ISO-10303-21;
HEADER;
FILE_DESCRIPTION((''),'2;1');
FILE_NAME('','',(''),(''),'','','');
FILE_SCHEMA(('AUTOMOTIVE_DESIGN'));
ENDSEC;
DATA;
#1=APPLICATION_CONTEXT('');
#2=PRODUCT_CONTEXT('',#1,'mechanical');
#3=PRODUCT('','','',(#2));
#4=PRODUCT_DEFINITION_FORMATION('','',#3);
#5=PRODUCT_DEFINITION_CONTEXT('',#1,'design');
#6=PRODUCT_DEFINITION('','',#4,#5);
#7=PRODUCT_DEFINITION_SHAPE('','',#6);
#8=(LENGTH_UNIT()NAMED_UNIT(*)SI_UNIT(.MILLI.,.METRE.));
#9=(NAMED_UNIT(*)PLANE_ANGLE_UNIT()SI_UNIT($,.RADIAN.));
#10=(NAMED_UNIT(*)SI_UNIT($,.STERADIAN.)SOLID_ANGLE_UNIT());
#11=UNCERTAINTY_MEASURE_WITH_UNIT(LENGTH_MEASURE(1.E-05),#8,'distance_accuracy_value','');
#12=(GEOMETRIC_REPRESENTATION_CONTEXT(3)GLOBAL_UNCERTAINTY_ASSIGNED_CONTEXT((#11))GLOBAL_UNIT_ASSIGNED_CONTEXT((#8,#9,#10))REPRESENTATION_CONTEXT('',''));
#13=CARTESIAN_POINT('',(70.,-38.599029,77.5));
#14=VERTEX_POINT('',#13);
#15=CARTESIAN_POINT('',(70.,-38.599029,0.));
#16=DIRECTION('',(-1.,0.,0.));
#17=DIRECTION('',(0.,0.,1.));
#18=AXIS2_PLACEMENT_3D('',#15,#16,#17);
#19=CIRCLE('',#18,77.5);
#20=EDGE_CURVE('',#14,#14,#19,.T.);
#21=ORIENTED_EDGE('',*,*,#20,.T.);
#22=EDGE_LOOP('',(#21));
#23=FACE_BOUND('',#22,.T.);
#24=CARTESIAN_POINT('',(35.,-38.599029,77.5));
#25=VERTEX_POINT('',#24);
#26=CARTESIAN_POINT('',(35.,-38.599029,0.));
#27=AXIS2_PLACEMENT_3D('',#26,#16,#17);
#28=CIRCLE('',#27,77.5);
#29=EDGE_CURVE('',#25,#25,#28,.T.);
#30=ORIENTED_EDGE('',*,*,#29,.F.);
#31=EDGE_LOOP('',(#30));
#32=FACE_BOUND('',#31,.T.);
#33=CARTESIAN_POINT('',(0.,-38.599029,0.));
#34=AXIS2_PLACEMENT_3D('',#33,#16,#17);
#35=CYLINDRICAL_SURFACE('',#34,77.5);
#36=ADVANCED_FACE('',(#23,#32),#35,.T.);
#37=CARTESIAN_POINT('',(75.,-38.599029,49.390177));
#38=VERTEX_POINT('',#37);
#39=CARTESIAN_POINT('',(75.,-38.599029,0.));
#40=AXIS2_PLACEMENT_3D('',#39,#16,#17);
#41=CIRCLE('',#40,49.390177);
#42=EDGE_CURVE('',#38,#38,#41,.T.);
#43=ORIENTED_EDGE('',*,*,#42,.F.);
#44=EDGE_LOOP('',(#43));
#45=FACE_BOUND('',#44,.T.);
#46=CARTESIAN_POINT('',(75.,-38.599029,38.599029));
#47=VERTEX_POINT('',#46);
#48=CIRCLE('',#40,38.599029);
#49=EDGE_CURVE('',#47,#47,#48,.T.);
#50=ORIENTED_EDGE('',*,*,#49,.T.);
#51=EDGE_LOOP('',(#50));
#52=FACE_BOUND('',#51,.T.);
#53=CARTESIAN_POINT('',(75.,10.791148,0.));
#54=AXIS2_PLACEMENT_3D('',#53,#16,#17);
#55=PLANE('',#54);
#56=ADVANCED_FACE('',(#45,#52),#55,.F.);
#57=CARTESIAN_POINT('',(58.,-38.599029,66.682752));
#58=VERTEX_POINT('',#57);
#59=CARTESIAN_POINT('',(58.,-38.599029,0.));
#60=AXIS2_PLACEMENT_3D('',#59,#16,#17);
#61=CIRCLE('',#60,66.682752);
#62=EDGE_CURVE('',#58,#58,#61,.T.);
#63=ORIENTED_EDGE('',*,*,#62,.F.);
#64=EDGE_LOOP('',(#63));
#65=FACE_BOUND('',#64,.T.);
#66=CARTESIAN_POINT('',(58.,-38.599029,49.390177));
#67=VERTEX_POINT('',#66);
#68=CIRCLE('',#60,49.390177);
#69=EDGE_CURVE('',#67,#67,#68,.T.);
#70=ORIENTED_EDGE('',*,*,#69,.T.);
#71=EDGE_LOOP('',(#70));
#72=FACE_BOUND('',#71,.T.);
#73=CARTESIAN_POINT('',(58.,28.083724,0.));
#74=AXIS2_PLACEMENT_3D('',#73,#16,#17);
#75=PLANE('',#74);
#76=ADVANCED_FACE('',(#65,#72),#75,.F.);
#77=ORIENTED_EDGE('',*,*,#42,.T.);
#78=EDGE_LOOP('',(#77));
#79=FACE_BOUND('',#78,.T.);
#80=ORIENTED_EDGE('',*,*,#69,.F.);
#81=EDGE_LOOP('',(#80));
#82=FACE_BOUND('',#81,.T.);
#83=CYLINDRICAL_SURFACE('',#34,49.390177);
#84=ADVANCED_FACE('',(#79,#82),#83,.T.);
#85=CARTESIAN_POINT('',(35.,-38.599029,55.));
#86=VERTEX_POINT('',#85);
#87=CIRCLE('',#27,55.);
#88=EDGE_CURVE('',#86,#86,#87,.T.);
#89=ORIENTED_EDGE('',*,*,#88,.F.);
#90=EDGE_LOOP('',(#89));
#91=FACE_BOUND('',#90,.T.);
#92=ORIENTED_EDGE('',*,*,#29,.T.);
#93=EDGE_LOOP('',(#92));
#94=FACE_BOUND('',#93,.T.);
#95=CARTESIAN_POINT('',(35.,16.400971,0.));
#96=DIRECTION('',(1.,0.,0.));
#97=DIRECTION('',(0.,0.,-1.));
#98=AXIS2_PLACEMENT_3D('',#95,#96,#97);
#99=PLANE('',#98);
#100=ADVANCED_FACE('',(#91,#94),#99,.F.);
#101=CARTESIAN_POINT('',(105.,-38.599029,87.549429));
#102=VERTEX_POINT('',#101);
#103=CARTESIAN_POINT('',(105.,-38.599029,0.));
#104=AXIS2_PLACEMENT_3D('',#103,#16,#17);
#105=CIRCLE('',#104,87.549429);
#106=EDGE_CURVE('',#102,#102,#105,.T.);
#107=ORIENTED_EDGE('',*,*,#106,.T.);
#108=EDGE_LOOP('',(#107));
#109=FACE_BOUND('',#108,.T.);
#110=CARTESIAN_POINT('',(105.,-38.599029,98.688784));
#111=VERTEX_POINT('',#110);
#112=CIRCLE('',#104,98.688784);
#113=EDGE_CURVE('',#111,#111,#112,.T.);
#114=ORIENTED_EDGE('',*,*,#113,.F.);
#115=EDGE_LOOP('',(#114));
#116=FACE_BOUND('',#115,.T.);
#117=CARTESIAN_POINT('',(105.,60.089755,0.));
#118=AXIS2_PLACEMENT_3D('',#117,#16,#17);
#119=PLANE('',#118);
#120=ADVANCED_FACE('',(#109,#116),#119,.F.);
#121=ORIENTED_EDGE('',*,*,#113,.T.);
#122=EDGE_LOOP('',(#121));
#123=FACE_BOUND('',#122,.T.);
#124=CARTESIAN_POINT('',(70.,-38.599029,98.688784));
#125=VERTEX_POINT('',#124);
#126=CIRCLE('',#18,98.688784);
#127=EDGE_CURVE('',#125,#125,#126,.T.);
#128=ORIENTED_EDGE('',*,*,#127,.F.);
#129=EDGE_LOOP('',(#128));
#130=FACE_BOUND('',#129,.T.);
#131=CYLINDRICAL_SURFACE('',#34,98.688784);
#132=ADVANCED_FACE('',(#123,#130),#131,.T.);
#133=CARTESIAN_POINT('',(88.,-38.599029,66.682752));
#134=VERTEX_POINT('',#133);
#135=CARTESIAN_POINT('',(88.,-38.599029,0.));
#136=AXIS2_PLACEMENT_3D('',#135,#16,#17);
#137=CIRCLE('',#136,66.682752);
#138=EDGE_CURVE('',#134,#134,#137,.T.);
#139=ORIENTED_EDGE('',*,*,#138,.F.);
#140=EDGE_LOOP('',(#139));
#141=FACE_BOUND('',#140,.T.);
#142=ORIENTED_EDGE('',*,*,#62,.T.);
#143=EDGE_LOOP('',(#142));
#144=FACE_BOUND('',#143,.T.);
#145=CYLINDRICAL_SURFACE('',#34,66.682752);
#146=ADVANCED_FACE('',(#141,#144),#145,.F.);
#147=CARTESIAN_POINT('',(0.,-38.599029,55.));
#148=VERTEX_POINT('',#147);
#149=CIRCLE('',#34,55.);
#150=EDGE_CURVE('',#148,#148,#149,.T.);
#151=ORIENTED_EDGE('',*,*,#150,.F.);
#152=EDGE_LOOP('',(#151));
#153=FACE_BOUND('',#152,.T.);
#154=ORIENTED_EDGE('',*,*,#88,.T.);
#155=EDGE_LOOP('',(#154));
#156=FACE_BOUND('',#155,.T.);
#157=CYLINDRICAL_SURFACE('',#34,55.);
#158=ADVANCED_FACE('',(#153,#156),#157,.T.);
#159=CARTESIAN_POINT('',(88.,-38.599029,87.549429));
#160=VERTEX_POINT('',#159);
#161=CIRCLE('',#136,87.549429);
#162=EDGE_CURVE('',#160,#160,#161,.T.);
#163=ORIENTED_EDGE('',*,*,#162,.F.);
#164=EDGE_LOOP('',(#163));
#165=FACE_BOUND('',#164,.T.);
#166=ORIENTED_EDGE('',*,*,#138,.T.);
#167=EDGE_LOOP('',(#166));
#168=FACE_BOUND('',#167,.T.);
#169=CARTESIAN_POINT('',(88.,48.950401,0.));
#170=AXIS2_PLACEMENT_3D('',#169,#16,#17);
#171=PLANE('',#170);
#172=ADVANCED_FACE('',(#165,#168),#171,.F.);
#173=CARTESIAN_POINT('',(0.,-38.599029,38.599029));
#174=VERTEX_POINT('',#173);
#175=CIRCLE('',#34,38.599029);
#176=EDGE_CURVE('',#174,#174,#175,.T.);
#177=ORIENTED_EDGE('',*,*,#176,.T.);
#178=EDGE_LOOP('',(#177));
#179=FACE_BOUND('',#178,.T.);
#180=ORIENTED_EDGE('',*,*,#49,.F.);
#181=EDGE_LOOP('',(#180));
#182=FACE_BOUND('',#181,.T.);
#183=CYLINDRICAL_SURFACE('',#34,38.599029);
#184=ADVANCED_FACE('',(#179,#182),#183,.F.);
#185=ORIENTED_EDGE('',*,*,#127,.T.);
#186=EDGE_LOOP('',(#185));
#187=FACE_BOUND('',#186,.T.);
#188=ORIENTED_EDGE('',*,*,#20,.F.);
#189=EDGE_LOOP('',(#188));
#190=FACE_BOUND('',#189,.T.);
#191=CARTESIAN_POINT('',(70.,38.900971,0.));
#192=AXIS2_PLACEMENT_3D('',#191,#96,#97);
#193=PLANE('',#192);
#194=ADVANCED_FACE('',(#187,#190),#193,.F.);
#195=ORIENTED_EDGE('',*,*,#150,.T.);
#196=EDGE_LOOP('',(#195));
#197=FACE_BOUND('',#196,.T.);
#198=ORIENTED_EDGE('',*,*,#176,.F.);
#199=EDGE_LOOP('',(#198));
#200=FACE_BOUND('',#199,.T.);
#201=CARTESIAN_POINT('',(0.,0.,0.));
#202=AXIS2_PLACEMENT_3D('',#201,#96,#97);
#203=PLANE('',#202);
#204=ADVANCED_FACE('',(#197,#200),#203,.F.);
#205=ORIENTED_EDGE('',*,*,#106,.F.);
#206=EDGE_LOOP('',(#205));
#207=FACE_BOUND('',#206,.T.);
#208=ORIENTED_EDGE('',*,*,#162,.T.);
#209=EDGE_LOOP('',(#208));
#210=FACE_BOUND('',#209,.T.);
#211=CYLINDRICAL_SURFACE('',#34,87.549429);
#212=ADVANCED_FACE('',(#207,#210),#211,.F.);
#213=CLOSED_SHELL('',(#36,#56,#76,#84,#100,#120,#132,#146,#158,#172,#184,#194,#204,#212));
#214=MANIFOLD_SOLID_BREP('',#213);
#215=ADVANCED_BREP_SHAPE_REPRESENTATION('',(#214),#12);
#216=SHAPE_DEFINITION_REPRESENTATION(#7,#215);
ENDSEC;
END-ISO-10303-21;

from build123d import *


with BuildPart() as part:
    # Croquis1 → Revolución1 (revolve)
    with BuildSketch(Plane.XY, mode=Mode.PRIVATE) as revoluci_n1_sk:
        Polygon((0, 0), (0, 16.40097141), (35, 16.40097141), (35, 38.90097141), (70, 38.90097141), (70, 60.089754962), (105, 60.089754962), (105, 48.950400909), (88, 48.950400909), (88, 28.083723598), (58, 28.083723598), (58, 10.791148393), (75, 10.791148393), (75, 0), align=None)
    revolve(revoluci_n1_sk.sketch.rotate(Axis((0, -38.59902859, 0), (1, 0, 0)), 90), axis=Axis((0, -38.59902859, 0), (1, 0, 0)))


solid = part.part
